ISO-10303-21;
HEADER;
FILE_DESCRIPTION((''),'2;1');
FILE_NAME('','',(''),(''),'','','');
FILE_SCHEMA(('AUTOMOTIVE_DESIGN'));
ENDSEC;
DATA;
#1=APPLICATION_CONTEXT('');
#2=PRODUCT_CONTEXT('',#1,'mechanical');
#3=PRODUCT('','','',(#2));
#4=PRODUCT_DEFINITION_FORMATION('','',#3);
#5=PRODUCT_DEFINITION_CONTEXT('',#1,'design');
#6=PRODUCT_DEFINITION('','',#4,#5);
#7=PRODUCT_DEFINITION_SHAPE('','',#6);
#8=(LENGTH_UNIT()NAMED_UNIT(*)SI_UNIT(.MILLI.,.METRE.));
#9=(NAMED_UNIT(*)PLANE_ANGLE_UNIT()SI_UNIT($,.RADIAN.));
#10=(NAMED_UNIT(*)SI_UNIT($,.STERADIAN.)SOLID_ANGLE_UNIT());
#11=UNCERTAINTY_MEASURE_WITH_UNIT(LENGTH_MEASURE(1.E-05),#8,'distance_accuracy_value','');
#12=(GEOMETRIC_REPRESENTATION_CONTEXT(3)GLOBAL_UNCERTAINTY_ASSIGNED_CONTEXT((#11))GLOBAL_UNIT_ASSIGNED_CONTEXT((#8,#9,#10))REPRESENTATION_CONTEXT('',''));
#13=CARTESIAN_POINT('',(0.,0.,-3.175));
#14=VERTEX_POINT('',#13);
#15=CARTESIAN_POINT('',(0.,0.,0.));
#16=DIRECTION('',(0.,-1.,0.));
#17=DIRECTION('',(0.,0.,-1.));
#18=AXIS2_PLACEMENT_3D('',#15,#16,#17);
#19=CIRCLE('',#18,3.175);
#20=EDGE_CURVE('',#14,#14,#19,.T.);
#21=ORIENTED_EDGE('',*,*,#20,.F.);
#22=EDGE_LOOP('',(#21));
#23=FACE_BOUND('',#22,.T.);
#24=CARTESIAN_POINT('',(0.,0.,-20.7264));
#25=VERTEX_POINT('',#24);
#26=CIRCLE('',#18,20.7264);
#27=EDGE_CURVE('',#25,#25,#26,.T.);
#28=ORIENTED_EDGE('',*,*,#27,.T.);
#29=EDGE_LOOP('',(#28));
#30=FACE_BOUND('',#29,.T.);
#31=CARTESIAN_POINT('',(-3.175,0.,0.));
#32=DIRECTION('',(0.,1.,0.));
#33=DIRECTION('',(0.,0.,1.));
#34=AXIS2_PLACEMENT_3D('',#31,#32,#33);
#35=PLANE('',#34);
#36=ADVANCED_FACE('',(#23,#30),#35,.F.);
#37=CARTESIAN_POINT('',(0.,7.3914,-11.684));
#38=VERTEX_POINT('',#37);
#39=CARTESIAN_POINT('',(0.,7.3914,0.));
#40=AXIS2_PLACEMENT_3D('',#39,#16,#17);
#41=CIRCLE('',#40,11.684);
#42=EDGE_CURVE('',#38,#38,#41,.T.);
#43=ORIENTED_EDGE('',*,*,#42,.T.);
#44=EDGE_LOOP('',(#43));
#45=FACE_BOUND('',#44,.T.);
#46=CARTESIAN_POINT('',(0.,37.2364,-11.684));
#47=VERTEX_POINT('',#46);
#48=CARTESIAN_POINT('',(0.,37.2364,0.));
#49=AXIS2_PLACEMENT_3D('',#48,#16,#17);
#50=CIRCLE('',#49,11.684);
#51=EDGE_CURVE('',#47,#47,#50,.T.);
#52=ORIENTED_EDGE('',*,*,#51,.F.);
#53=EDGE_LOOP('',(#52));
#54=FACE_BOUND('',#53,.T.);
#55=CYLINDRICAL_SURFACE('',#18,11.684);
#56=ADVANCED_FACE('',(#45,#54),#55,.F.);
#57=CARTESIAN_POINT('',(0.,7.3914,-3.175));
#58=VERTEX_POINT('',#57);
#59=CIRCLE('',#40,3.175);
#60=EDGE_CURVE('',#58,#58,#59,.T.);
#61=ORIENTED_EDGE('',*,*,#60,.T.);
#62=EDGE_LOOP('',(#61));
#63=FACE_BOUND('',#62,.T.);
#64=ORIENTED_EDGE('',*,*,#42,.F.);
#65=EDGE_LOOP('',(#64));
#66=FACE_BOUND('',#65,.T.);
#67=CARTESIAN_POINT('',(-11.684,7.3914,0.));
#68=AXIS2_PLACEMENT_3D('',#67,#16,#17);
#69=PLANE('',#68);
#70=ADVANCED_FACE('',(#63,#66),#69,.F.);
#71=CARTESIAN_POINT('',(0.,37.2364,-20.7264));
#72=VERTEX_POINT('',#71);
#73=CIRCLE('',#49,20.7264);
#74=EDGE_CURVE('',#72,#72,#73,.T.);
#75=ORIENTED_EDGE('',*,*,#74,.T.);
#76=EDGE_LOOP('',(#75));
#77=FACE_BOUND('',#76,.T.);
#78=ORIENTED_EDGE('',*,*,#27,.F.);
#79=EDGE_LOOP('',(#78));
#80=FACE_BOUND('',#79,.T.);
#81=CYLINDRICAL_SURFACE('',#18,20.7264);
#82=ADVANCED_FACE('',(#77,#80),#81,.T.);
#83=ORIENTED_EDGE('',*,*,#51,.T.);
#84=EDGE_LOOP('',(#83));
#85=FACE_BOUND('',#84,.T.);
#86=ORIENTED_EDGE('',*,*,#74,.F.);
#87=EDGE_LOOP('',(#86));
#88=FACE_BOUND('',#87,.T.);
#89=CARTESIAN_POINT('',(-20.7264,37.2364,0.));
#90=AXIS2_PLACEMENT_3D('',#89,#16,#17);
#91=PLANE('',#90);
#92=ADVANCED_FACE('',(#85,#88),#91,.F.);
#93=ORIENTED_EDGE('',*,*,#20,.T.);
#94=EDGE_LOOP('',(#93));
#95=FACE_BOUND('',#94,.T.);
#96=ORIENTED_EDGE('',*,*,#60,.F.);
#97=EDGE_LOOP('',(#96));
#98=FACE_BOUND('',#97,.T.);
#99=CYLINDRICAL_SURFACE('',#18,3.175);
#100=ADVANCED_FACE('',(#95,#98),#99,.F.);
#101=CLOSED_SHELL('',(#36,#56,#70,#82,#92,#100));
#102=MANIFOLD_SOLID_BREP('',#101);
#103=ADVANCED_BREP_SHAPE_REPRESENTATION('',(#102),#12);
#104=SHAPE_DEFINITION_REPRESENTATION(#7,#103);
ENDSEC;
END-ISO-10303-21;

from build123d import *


with BuildPart() as part:
    # Sketch1 → Revolve1 (revolve)
    with BuildSketch(Plane.XY):
        Polygon((-3.175, 0), (-20.7264, 0), (-20.7264, 37.2364), (-11.684, 37.2364), (-11.684, 7.3914), (-3.175, 7.3914), align=None)
    revolve(axis=Axis((0, 0, 0), (0, 1, 0)))


solid = part.part
